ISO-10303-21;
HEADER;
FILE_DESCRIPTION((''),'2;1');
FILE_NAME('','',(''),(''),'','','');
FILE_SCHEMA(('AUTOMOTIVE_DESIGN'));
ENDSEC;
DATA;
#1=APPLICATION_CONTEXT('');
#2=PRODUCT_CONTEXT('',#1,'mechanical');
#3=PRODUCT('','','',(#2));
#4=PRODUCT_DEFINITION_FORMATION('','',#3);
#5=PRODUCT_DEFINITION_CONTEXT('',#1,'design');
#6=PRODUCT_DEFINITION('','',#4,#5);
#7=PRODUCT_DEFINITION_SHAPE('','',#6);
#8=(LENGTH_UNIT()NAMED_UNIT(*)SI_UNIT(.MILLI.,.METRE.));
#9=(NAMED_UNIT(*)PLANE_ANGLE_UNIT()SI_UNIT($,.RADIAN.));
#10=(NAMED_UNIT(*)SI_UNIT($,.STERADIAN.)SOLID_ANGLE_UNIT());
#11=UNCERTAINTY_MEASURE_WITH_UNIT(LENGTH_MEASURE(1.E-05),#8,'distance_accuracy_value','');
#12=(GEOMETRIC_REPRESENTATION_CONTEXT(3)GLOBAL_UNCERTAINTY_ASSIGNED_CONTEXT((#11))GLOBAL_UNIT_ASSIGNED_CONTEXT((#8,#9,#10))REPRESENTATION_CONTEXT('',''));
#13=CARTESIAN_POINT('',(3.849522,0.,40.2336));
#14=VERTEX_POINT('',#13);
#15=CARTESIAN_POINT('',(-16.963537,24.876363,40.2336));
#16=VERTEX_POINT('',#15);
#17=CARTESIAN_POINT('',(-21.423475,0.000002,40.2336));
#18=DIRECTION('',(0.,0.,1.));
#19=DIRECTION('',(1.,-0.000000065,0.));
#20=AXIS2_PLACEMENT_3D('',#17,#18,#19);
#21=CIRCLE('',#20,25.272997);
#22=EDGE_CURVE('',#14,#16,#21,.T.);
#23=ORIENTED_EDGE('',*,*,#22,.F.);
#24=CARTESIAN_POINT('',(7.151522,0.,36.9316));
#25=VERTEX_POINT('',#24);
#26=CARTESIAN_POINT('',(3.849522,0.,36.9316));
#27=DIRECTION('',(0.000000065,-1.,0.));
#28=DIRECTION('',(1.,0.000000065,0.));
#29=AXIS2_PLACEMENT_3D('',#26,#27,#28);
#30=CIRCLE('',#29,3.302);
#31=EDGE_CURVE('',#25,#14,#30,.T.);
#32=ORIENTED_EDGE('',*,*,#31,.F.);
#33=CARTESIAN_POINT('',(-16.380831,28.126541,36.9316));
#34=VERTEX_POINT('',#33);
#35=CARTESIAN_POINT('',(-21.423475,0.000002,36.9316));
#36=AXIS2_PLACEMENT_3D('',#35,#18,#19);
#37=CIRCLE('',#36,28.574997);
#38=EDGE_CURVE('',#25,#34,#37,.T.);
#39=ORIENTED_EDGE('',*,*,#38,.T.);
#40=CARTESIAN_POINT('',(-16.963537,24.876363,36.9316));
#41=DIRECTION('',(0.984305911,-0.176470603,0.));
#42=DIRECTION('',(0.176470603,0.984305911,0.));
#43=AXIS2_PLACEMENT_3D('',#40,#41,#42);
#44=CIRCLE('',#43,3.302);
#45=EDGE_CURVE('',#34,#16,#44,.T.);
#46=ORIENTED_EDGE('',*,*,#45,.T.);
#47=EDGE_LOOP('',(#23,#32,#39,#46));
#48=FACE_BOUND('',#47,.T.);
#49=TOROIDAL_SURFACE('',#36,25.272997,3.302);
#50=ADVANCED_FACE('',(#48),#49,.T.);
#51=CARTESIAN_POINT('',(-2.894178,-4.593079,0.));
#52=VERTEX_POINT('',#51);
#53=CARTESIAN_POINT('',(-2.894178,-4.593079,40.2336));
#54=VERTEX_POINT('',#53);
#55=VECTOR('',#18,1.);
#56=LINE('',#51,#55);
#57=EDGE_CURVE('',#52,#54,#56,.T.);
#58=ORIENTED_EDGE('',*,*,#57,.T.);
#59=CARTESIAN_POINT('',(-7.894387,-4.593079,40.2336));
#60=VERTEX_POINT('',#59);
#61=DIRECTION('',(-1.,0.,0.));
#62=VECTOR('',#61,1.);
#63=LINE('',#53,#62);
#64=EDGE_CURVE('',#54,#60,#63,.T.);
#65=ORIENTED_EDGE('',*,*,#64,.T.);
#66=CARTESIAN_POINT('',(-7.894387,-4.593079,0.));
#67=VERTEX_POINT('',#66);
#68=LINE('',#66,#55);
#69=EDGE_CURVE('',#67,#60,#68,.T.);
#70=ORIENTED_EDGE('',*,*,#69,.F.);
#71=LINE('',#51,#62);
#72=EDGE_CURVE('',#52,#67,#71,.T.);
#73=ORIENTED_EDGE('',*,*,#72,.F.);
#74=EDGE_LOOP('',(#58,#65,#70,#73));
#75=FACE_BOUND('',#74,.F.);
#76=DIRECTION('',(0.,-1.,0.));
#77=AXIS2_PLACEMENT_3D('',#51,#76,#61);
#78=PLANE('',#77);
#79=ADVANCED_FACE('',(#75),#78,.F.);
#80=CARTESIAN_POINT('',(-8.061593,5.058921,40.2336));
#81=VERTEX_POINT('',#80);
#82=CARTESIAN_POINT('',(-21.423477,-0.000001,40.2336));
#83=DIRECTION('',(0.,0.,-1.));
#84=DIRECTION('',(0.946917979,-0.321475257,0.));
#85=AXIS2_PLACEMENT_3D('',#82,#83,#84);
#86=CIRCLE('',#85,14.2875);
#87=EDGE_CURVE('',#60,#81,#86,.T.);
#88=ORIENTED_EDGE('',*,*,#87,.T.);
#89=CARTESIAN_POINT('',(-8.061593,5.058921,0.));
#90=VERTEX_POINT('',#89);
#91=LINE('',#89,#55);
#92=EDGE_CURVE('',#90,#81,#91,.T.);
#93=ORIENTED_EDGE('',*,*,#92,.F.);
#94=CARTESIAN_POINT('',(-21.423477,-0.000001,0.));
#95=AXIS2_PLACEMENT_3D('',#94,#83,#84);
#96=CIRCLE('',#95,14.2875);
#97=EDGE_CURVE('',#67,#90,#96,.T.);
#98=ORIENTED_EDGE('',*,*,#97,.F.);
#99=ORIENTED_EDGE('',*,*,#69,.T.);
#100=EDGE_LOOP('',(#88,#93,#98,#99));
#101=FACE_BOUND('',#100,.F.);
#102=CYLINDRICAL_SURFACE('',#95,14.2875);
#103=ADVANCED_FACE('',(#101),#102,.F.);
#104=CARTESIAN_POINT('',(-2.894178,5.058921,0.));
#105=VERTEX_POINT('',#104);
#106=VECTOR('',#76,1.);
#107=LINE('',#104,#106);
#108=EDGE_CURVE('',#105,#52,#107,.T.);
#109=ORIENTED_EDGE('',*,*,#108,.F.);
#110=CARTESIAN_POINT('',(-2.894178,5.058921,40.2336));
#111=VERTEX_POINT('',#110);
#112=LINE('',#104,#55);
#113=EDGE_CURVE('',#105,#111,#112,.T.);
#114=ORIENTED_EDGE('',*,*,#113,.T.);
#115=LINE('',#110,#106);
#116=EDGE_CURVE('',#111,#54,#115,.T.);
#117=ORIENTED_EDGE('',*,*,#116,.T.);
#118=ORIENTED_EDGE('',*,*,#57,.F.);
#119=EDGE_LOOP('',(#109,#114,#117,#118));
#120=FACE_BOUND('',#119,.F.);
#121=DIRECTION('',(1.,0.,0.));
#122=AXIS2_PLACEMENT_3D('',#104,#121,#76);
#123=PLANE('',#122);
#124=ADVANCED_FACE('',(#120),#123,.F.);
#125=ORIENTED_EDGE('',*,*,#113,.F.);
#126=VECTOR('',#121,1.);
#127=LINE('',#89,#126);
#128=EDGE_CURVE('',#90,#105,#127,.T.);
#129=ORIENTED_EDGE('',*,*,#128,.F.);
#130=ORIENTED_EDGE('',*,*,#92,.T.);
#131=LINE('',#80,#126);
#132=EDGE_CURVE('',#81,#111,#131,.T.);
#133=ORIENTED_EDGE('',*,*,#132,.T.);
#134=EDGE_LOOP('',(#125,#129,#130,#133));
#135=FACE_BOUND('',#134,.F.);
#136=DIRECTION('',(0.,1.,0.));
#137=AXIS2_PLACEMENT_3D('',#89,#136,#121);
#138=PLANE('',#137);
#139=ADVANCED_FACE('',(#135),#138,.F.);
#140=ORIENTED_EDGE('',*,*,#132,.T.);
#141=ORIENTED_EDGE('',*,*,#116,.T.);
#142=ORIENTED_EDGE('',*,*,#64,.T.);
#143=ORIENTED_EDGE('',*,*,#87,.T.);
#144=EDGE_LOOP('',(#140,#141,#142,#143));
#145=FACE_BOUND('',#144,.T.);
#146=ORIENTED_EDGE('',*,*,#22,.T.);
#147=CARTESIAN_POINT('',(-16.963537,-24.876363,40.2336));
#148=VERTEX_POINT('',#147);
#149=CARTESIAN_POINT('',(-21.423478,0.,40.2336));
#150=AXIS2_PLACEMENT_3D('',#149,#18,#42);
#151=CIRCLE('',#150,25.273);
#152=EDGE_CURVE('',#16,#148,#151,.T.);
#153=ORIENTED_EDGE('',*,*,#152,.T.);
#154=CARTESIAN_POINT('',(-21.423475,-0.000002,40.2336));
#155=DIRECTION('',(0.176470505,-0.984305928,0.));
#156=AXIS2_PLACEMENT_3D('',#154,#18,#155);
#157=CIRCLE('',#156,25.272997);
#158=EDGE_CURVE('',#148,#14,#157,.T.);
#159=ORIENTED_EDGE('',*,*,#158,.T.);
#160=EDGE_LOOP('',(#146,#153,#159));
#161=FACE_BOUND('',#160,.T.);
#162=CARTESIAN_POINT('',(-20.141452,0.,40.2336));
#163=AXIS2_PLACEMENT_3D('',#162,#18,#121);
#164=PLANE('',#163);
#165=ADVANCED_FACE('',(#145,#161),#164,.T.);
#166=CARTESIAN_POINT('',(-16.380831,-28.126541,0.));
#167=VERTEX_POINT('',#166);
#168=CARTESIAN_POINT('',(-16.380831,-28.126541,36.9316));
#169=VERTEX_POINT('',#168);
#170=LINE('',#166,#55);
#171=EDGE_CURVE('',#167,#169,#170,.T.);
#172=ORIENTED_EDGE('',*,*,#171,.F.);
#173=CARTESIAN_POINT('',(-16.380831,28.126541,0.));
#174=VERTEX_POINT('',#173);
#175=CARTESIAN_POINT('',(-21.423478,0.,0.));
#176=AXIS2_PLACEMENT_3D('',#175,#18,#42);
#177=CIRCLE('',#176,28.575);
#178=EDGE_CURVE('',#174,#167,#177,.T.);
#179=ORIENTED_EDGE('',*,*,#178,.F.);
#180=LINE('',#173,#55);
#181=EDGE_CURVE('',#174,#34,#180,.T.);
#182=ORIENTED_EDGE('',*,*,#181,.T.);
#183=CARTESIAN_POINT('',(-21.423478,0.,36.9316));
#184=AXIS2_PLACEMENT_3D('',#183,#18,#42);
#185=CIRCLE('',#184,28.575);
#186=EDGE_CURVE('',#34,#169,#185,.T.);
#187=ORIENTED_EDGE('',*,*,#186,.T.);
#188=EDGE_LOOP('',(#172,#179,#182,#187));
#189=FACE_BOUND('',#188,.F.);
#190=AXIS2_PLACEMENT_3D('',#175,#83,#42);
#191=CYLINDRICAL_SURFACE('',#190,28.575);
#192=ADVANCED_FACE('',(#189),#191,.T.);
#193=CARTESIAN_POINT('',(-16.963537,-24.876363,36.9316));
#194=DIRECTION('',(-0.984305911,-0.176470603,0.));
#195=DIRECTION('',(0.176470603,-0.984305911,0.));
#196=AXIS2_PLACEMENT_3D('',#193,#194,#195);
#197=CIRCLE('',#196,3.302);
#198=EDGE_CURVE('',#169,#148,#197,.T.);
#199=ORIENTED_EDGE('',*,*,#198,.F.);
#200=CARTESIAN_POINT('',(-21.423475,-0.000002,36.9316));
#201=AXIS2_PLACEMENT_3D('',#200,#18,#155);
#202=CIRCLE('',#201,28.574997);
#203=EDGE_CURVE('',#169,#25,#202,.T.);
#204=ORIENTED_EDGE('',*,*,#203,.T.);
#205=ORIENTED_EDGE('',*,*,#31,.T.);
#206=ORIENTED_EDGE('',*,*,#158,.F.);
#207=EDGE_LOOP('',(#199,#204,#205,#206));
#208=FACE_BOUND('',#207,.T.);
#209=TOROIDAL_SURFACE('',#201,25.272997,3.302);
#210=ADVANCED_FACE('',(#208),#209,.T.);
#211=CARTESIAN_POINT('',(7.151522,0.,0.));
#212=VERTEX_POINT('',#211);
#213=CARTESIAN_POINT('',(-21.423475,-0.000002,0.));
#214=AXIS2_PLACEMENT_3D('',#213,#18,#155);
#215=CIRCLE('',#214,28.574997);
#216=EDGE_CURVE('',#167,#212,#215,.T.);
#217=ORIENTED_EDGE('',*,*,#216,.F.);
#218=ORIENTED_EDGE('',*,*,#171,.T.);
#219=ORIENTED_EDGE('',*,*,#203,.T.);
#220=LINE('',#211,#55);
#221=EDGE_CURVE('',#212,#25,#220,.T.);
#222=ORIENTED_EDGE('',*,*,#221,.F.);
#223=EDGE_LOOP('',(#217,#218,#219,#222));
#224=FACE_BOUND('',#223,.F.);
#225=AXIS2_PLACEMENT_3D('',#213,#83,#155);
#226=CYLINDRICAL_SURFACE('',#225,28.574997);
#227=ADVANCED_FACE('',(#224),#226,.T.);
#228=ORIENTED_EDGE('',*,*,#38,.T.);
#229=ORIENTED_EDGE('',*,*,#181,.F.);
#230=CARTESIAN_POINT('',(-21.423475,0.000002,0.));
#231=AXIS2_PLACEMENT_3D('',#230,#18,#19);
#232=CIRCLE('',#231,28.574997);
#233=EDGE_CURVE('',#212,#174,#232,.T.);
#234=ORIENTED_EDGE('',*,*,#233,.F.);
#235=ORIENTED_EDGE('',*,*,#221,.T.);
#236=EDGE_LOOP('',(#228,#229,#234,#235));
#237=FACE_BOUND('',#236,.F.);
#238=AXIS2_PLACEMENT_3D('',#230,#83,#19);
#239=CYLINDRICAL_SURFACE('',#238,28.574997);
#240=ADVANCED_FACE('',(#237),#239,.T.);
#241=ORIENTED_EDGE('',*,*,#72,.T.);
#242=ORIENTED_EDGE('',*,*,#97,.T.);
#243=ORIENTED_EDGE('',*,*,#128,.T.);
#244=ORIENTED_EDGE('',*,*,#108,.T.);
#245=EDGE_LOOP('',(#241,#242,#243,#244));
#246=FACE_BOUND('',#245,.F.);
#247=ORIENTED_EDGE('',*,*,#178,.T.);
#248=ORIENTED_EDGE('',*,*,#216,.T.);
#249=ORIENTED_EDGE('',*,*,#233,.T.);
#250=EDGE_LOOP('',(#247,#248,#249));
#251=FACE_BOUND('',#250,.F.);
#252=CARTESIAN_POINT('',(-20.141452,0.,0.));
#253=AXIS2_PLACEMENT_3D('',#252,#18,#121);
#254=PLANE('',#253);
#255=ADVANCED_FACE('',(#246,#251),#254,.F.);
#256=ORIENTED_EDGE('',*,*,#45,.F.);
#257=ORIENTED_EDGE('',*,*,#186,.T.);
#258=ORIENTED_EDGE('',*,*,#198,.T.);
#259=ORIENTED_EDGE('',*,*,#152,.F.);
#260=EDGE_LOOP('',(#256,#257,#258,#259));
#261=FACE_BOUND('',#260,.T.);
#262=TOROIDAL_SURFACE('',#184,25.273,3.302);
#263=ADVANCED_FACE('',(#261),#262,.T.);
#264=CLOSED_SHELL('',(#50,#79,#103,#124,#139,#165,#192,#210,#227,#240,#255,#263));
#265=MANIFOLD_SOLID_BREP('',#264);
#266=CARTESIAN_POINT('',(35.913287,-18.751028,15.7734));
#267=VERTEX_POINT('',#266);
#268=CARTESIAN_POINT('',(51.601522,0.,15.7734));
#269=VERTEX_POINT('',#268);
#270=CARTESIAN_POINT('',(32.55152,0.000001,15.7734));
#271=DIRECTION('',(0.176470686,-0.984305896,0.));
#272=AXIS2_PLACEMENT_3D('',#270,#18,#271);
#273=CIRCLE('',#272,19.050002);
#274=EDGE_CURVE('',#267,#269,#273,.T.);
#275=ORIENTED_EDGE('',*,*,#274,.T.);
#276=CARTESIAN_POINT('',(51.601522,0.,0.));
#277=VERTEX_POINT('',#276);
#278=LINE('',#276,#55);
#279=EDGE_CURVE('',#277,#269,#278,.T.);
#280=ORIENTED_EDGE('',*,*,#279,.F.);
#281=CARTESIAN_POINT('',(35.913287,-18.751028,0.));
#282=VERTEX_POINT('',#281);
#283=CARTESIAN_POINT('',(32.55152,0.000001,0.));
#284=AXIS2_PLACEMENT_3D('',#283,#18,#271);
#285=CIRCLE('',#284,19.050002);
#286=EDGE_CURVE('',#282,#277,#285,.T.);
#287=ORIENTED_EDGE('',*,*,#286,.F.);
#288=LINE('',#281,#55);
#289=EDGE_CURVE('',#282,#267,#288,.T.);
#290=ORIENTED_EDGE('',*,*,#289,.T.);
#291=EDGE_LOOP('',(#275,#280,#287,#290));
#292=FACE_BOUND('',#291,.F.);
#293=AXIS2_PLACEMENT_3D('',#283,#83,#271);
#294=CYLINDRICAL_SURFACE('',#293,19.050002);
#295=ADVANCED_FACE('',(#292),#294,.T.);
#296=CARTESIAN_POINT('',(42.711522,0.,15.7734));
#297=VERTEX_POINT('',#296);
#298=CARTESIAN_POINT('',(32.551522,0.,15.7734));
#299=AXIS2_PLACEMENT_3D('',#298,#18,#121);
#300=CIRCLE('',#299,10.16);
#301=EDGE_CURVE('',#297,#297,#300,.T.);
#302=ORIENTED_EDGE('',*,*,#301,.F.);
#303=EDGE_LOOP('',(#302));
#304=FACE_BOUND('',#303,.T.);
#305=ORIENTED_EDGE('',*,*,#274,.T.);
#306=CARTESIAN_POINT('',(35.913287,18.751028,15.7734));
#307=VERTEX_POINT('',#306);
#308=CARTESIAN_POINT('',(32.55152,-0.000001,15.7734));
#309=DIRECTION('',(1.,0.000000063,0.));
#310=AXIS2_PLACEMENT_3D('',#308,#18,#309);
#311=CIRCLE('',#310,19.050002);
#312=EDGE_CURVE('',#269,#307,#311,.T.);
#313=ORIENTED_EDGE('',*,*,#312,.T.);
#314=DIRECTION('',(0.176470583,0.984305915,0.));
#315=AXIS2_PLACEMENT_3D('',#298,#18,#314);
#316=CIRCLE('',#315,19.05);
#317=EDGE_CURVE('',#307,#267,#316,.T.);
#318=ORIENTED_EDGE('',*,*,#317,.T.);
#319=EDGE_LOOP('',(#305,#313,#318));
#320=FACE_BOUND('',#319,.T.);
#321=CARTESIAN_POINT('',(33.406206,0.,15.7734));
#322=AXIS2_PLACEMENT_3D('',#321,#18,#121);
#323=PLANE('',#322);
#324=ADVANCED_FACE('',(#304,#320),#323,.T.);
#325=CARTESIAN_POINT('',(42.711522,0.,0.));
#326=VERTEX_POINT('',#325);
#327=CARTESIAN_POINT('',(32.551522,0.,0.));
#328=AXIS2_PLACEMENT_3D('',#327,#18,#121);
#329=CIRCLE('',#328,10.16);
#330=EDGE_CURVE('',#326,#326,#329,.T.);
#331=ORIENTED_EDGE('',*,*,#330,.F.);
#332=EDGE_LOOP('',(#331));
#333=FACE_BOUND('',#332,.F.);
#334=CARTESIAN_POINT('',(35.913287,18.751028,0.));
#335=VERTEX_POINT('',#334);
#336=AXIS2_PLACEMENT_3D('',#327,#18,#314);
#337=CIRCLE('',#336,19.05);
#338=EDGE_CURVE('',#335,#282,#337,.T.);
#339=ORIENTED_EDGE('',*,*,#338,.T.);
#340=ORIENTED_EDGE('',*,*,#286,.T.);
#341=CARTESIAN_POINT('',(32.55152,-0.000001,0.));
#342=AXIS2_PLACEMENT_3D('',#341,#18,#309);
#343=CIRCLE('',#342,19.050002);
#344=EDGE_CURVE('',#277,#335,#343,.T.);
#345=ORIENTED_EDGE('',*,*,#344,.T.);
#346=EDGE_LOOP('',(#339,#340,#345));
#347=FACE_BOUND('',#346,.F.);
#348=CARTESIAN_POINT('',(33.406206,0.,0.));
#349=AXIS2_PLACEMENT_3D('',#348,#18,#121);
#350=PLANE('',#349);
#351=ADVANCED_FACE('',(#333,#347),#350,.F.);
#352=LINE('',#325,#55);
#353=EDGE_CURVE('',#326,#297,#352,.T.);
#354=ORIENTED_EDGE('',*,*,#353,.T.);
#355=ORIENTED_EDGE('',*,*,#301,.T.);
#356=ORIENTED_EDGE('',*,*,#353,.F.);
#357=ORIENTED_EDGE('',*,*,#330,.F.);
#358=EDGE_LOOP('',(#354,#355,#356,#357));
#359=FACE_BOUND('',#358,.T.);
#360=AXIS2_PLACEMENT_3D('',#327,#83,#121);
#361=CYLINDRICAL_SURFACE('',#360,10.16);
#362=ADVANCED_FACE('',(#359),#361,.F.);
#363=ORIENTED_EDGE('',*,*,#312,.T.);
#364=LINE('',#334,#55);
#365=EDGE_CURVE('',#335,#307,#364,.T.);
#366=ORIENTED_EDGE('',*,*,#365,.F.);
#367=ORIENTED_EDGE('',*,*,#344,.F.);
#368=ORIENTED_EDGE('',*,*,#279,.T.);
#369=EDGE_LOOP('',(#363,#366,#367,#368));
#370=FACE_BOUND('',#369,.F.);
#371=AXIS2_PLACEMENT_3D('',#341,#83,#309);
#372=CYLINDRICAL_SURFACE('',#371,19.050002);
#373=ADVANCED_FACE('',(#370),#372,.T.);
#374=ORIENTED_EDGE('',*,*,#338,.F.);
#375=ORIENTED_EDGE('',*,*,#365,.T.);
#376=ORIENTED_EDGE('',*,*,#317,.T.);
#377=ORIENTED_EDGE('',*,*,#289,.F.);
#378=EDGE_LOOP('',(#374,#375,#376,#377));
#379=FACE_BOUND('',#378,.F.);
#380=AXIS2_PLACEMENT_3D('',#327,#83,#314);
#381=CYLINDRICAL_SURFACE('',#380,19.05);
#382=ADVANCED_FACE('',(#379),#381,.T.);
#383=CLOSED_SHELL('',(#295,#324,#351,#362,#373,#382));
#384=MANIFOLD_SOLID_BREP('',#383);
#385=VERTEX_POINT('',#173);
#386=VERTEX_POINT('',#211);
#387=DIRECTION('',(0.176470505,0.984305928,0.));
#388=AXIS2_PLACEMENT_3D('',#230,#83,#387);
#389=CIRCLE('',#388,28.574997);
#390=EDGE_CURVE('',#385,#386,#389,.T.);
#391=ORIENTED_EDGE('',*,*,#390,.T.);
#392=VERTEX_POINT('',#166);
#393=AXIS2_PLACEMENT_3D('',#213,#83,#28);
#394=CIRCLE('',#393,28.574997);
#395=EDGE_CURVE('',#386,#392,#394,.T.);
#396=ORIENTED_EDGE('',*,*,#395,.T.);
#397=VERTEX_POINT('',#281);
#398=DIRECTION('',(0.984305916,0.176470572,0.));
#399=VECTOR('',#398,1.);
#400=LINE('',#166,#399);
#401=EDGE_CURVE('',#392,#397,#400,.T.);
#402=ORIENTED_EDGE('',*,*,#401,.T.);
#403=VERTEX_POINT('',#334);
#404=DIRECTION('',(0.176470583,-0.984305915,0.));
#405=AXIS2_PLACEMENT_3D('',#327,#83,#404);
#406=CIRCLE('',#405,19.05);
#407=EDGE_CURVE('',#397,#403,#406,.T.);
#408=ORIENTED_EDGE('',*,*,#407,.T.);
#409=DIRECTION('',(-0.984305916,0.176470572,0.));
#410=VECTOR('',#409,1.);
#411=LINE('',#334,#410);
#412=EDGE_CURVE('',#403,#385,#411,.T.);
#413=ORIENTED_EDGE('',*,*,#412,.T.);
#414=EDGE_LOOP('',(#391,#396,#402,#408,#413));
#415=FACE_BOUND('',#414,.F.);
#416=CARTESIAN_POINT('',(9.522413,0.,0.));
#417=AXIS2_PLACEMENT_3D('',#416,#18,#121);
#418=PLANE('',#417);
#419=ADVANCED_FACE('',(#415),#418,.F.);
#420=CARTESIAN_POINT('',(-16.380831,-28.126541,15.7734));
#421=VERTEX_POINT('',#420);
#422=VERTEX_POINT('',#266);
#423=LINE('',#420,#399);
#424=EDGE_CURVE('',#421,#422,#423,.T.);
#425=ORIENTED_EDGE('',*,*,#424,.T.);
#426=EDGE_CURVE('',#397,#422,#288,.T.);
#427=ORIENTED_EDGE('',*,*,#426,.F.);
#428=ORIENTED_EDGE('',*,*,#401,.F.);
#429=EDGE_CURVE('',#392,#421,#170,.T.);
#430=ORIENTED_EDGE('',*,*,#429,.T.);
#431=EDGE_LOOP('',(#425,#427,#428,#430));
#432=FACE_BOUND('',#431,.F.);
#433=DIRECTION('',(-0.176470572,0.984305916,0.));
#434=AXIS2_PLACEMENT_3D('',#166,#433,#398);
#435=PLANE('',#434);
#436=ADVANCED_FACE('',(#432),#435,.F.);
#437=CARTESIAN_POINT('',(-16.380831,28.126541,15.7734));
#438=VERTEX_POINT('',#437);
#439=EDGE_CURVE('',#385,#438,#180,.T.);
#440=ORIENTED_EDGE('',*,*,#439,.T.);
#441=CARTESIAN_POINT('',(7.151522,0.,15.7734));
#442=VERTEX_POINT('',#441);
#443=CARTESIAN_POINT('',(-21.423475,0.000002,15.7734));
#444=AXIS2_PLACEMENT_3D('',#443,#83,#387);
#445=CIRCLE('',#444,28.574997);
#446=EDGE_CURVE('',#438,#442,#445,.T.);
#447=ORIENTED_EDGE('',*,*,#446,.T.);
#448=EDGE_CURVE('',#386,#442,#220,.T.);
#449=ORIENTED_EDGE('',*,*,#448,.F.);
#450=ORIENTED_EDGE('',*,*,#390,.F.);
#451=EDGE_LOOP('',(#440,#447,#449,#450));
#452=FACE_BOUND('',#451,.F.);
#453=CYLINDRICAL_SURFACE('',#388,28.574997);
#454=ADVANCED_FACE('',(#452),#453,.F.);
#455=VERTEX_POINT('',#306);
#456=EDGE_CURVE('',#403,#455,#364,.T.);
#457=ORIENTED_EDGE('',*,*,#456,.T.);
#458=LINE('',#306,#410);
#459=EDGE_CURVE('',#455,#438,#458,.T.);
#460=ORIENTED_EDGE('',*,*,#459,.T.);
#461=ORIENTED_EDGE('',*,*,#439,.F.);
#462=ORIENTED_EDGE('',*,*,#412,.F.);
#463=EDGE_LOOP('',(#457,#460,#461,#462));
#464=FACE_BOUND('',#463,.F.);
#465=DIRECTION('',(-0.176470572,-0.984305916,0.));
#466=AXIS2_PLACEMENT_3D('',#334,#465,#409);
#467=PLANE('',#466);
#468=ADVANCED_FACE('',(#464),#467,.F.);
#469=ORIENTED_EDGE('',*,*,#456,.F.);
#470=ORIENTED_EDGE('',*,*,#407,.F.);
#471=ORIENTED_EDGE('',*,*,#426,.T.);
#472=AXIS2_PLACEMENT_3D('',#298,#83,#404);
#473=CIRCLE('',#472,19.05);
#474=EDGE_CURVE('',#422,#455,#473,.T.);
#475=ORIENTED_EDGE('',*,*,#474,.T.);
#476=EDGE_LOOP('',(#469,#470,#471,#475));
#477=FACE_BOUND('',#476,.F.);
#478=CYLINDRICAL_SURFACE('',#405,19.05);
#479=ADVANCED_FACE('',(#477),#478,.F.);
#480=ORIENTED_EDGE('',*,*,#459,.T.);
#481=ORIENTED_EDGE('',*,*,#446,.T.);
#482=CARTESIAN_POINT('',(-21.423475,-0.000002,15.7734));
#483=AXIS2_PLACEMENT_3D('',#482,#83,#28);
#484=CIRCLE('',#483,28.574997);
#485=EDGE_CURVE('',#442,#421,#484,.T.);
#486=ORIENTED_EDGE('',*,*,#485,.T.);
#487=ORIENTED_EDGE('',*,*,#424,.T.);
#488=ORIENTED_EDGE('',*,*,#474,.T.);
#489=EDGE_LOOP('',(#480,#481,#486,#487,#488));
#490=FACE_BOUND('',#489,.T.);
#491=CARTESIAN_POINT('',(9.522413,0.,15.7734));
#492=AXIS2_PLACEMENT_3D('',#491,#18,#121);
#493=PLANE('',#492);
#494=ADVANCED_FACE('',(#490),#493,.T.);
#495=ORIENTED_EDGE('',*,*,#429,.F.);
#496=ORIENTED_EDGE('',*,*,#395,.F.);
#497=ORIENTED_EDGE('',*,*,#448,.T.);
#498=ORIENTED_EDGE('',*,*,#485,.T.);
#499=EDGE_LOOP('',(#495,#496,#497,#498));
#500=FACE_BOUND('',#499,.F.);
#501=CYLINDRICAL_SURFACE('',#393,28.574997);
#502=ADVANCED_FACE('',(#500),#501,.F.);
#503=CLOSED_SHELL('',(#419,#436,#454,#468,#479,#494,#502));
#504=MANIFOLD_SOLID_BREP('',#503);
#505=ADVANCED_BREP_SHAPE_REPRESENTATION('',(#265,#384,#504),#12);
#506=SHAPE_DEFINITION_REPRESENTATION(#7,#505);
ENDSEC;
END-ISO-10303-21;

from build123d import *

# Parameters (mm, degrees)
F1_DEPTH = 40.2336
F0_R     = 10.16
F2_DEPTH = 15.7734
F3_DEPTH = 15.7734
F4_R     = 3.302


with BuildPart() as f1:
    # F0 (on Top) → F1 (new body)
    with BuildSketch(Plane.XY):
        with BuildLine():
            ThreePointArc((-16.380831, -28.126541), (0.492547, -18.336262), (7.151522, 0))
            ThreePointArc((7.151522, 0), (0.492547, 18.336262), (-16.380831, 28.126541))
            ThreePointArc((-16.380831, 28.126541), (-49.998478, 0), (-16.380831, -28.126541))
        make_face()
        with BuildLine():
            ThreePointArc((-7.894387, -4.593079), (-35.708834, -0.247471), (-8.061593, 5.058921))
            Line((-8.061593, 5.058921), (-2.894178, 5.058921))
            Line((-2.894178, 5.058921), (-2.894178, -4.593079))
            Line((-2.894178, -4.593079), (-6.585919, -4.593079))
            Line((-6.585919, -4.593079), (-7.894387, -4.593079))
        make_face(mode=Mode.SUBTRACT)
    extrude(amount=F1_DEPTH)

    # F4
    f4_edges = [f1.edges().sort_by_distance(p)[0] for p in [
        (-26.466125, 28.126541, 40.2336),
    ]]
    fillet(f4_edges, radius=F4_R)


with BuildPart() as f2:
    # F0 (on Top) → F2 (new body)
    with BuildSketch(Plane.XY):
        with BuildLine():
            ThreePointArc((51.601522, 0), (47.162205, 12.224174), (35.913287, 18.751028))
            ThreePointArc((35.913287, 18.751028), (13.501522, 0), (35.913287, -18.751028))
            ThreePointArc((35.913287, -18.751028), (47.162205, -12.224174), (51.601522, 0))
        make_face()
        with Locations((32.551522, 0)):
            Circle(F0_R, mode=Mode.SUBTRACT)
    extrude(amount=F2_DEPTH)


with BuildPart() as f3:
    # F0 (on Top) → F3 (new body)
    with BuildSketch(Plane.XY):
        with BuildLine():
            ThreePointArc((-16.380831, 28.126541), (0.492547, 18.336262), (7.151522, 0))
            ThreePointArc((7.151522, 0), (0.492547, -18.336262), (-16.380831, -28.126541))
            Line((-16.380831, -28.126541), (35.913287, -18.751028))
            ThreePointArc((35.913287, -18.751028), (13.501522, 0), (35.913287, 18.751028))
            Line((35.913287, 18.751028), (-16.380831, 28.126541))
        make_face()
    extrude(amount=F3_DEPTH)


solid = Compound([f1.part, f2.part, f3.part])
